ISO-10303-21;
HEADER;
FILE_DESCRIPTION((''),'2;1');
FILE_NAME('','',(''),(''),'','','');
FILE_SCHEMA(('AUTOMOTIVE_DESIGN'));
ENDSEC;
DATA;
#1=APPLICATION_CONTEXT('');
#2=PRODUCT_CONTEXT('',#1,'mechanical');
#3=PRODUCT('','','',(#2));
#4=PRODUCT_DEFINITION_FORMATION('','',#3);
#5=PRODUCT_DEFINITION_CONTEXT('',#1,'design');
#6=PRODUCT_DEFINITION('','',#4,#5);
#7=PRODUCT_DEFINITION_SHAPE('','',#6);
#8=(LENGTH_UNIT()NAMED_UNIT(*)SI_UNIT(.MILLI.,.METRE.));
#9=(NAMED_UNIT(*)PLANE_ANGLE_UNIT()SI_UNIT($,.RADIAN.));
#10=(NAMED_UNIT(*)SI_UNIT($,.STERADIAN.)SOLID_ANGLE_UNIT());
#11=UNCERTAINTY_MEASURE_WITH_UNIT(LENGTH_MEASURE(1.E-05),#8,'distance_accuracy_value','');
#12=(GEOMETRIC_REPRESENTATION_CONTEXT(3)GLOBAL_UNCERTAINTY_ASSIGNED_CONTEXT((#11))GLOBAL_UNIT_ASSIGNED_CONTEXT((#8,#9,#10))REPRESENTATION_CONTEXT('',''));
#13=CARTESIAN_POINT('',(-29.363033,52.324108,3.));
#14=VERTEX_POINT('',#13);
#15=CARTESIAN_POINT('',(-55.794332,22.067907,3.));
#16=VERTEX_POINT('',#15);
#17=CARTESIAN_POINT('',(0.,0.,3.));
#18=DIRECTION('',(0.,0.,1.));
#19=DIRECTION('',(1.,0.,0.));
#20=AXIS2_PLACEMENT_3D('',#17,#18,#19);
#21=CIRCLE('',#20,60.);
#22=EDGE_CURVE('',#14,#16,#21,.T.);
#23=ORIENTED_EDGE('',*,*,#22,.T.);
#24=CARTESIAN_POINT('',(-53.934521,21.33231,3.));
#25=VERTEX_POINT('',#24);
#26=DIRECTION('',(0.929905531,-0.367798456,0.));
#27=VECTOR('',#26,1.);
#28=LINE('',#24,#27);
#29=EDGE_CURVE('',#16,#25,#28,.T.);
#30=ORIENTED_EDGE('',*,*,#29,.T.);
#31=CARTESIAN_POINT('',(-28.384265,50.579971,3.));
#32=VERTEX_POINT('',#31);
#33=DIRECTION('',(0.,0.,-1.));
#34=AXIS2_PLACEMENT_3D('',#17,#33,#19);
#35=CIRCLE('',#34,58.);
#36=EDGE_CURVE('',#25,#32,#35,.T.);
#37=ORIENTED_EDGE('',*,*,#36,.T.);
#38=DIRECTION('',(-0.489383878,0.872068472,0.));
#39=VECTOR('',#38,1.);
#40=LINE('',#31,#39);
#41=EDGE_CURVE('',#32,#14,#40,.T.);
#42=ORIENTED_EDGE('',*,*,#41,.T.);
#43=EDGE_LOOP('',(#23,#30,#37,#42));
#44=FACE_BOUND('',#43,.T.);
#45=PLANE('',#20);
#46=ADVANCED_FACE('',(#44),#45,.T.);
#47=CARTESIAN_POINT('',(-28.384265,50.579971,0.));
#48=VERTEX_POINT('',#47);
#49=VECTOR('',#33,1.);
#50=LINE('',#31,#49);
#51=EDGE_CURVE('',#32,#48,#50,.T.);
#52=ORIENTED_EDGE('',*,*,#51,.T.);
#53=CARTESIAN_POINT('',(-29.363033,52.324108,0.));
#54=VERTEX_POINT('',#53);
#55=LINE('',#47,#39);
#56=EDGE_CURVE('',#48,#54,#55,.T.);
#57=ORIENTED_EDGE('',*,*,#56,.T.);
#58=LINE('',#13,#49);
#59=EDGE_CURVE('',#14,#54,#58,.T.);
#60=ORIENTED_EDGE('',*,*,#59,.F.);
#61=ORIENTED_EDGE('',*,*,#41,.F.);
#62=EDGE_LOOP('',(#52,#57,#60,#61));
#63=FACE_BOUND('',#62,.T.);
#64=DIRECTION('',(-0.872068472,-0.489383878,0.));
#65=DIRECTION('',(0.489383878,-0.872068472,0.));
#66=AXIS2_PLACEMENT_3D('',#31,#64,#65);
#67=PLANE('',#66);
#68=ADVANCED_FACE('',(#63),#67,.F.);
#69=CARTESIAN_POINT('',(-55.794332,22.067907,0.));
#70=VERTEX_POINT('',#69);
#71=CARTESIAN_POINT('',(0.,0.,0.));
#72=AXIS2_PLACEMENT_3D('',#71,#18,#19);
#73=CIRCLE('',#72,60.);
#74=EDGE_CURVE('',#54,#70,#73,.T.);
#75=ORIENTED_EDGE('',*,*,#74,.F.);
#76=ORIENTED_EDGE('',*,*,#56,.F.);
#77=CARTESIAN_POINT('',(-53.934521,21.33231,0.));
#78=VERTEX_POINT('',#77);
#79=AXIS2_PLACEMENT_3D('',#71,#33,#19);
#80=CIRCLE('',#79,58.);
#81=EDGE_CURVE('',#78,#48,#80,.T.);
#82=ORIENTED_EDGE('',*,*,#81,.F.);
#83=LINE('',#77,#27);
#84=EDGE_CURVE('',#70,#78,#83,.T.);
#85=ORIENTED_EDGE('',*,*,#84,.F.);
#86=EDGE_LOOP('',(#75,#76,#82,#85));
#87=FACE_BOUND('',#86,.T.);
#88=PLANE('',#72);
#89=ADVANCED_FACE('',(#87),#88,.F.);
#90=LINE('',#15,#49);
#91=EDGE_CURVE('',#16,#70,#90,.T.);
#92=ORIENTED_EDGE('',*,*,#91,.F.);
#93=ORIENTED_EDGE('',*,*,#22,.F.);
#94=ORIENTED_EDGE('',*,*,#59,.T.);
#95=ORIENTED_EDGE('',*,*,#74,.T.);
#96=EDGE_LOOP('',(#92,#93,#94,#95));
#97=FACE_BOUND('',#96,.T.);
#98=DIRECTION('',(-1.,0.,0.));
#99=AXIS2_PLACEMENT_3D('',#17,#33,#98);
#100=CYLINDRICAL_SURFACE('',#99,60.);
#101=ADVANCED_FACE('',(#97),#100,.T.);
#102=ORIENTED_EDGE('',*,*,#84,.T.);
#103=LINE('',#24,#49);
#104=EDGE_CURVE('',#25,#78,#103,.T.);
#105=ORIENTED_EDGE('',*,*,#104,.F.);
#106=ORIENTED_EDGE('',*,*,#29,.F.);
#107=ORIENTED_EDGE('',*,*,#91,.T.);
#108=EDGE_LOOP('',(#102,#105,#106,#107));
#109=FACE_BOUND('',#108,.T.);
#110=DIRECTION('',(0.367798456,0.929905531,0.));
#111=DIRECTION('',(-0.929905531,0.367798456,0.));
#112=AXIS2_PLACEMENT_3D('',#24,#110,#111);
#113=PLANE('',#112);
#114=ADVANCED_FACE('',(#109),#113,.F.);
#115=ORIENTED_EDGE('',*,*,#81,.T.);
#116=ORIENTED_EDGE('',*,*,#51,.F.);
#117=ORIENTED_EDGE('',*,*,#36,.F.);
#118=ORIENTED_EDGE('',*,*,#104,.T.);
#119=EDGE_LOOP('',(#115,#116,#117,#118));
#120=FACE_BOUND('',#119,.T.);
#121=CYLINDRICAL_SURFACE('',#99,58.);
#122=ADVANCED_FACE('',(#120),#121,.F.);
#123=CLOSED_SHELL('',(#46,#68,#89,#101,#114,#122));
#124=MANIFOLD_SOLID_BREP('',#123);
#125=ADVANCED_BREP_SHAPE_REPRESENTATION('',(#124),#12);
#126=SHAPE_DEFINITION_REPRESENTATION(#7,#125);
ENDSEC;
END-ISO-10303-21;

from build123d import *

# Parameters (mm, degrees)
BOSS_EXTRUDE1_DEPTH = 3


with BuildPart() as part:
    # Sketch1 → Boss-Extrude1 (new body)
    with BuildSketch(Plane.XY):
        with BuildLine():
            Line((-53.93452077, 21.332310454), (-55.794331831, 22.067907366))
            ThreePointArc((-55.794331831, 22.067907366), (-45.186321015, 39.473996417), (-29.363032686, 52.32410832))
            Line((-29.363032686, 52.32410832), (-28.38426493, 50.579971376))
            ThreePointArc((-28.38426493, 50.579971376), (-43.680110315, 38.158196536), (-53.93452077, 21.332310454))
        make_face()
    extrude(amount=BOSS_EXTRUDE1_DEPTH)


solid = part.part
